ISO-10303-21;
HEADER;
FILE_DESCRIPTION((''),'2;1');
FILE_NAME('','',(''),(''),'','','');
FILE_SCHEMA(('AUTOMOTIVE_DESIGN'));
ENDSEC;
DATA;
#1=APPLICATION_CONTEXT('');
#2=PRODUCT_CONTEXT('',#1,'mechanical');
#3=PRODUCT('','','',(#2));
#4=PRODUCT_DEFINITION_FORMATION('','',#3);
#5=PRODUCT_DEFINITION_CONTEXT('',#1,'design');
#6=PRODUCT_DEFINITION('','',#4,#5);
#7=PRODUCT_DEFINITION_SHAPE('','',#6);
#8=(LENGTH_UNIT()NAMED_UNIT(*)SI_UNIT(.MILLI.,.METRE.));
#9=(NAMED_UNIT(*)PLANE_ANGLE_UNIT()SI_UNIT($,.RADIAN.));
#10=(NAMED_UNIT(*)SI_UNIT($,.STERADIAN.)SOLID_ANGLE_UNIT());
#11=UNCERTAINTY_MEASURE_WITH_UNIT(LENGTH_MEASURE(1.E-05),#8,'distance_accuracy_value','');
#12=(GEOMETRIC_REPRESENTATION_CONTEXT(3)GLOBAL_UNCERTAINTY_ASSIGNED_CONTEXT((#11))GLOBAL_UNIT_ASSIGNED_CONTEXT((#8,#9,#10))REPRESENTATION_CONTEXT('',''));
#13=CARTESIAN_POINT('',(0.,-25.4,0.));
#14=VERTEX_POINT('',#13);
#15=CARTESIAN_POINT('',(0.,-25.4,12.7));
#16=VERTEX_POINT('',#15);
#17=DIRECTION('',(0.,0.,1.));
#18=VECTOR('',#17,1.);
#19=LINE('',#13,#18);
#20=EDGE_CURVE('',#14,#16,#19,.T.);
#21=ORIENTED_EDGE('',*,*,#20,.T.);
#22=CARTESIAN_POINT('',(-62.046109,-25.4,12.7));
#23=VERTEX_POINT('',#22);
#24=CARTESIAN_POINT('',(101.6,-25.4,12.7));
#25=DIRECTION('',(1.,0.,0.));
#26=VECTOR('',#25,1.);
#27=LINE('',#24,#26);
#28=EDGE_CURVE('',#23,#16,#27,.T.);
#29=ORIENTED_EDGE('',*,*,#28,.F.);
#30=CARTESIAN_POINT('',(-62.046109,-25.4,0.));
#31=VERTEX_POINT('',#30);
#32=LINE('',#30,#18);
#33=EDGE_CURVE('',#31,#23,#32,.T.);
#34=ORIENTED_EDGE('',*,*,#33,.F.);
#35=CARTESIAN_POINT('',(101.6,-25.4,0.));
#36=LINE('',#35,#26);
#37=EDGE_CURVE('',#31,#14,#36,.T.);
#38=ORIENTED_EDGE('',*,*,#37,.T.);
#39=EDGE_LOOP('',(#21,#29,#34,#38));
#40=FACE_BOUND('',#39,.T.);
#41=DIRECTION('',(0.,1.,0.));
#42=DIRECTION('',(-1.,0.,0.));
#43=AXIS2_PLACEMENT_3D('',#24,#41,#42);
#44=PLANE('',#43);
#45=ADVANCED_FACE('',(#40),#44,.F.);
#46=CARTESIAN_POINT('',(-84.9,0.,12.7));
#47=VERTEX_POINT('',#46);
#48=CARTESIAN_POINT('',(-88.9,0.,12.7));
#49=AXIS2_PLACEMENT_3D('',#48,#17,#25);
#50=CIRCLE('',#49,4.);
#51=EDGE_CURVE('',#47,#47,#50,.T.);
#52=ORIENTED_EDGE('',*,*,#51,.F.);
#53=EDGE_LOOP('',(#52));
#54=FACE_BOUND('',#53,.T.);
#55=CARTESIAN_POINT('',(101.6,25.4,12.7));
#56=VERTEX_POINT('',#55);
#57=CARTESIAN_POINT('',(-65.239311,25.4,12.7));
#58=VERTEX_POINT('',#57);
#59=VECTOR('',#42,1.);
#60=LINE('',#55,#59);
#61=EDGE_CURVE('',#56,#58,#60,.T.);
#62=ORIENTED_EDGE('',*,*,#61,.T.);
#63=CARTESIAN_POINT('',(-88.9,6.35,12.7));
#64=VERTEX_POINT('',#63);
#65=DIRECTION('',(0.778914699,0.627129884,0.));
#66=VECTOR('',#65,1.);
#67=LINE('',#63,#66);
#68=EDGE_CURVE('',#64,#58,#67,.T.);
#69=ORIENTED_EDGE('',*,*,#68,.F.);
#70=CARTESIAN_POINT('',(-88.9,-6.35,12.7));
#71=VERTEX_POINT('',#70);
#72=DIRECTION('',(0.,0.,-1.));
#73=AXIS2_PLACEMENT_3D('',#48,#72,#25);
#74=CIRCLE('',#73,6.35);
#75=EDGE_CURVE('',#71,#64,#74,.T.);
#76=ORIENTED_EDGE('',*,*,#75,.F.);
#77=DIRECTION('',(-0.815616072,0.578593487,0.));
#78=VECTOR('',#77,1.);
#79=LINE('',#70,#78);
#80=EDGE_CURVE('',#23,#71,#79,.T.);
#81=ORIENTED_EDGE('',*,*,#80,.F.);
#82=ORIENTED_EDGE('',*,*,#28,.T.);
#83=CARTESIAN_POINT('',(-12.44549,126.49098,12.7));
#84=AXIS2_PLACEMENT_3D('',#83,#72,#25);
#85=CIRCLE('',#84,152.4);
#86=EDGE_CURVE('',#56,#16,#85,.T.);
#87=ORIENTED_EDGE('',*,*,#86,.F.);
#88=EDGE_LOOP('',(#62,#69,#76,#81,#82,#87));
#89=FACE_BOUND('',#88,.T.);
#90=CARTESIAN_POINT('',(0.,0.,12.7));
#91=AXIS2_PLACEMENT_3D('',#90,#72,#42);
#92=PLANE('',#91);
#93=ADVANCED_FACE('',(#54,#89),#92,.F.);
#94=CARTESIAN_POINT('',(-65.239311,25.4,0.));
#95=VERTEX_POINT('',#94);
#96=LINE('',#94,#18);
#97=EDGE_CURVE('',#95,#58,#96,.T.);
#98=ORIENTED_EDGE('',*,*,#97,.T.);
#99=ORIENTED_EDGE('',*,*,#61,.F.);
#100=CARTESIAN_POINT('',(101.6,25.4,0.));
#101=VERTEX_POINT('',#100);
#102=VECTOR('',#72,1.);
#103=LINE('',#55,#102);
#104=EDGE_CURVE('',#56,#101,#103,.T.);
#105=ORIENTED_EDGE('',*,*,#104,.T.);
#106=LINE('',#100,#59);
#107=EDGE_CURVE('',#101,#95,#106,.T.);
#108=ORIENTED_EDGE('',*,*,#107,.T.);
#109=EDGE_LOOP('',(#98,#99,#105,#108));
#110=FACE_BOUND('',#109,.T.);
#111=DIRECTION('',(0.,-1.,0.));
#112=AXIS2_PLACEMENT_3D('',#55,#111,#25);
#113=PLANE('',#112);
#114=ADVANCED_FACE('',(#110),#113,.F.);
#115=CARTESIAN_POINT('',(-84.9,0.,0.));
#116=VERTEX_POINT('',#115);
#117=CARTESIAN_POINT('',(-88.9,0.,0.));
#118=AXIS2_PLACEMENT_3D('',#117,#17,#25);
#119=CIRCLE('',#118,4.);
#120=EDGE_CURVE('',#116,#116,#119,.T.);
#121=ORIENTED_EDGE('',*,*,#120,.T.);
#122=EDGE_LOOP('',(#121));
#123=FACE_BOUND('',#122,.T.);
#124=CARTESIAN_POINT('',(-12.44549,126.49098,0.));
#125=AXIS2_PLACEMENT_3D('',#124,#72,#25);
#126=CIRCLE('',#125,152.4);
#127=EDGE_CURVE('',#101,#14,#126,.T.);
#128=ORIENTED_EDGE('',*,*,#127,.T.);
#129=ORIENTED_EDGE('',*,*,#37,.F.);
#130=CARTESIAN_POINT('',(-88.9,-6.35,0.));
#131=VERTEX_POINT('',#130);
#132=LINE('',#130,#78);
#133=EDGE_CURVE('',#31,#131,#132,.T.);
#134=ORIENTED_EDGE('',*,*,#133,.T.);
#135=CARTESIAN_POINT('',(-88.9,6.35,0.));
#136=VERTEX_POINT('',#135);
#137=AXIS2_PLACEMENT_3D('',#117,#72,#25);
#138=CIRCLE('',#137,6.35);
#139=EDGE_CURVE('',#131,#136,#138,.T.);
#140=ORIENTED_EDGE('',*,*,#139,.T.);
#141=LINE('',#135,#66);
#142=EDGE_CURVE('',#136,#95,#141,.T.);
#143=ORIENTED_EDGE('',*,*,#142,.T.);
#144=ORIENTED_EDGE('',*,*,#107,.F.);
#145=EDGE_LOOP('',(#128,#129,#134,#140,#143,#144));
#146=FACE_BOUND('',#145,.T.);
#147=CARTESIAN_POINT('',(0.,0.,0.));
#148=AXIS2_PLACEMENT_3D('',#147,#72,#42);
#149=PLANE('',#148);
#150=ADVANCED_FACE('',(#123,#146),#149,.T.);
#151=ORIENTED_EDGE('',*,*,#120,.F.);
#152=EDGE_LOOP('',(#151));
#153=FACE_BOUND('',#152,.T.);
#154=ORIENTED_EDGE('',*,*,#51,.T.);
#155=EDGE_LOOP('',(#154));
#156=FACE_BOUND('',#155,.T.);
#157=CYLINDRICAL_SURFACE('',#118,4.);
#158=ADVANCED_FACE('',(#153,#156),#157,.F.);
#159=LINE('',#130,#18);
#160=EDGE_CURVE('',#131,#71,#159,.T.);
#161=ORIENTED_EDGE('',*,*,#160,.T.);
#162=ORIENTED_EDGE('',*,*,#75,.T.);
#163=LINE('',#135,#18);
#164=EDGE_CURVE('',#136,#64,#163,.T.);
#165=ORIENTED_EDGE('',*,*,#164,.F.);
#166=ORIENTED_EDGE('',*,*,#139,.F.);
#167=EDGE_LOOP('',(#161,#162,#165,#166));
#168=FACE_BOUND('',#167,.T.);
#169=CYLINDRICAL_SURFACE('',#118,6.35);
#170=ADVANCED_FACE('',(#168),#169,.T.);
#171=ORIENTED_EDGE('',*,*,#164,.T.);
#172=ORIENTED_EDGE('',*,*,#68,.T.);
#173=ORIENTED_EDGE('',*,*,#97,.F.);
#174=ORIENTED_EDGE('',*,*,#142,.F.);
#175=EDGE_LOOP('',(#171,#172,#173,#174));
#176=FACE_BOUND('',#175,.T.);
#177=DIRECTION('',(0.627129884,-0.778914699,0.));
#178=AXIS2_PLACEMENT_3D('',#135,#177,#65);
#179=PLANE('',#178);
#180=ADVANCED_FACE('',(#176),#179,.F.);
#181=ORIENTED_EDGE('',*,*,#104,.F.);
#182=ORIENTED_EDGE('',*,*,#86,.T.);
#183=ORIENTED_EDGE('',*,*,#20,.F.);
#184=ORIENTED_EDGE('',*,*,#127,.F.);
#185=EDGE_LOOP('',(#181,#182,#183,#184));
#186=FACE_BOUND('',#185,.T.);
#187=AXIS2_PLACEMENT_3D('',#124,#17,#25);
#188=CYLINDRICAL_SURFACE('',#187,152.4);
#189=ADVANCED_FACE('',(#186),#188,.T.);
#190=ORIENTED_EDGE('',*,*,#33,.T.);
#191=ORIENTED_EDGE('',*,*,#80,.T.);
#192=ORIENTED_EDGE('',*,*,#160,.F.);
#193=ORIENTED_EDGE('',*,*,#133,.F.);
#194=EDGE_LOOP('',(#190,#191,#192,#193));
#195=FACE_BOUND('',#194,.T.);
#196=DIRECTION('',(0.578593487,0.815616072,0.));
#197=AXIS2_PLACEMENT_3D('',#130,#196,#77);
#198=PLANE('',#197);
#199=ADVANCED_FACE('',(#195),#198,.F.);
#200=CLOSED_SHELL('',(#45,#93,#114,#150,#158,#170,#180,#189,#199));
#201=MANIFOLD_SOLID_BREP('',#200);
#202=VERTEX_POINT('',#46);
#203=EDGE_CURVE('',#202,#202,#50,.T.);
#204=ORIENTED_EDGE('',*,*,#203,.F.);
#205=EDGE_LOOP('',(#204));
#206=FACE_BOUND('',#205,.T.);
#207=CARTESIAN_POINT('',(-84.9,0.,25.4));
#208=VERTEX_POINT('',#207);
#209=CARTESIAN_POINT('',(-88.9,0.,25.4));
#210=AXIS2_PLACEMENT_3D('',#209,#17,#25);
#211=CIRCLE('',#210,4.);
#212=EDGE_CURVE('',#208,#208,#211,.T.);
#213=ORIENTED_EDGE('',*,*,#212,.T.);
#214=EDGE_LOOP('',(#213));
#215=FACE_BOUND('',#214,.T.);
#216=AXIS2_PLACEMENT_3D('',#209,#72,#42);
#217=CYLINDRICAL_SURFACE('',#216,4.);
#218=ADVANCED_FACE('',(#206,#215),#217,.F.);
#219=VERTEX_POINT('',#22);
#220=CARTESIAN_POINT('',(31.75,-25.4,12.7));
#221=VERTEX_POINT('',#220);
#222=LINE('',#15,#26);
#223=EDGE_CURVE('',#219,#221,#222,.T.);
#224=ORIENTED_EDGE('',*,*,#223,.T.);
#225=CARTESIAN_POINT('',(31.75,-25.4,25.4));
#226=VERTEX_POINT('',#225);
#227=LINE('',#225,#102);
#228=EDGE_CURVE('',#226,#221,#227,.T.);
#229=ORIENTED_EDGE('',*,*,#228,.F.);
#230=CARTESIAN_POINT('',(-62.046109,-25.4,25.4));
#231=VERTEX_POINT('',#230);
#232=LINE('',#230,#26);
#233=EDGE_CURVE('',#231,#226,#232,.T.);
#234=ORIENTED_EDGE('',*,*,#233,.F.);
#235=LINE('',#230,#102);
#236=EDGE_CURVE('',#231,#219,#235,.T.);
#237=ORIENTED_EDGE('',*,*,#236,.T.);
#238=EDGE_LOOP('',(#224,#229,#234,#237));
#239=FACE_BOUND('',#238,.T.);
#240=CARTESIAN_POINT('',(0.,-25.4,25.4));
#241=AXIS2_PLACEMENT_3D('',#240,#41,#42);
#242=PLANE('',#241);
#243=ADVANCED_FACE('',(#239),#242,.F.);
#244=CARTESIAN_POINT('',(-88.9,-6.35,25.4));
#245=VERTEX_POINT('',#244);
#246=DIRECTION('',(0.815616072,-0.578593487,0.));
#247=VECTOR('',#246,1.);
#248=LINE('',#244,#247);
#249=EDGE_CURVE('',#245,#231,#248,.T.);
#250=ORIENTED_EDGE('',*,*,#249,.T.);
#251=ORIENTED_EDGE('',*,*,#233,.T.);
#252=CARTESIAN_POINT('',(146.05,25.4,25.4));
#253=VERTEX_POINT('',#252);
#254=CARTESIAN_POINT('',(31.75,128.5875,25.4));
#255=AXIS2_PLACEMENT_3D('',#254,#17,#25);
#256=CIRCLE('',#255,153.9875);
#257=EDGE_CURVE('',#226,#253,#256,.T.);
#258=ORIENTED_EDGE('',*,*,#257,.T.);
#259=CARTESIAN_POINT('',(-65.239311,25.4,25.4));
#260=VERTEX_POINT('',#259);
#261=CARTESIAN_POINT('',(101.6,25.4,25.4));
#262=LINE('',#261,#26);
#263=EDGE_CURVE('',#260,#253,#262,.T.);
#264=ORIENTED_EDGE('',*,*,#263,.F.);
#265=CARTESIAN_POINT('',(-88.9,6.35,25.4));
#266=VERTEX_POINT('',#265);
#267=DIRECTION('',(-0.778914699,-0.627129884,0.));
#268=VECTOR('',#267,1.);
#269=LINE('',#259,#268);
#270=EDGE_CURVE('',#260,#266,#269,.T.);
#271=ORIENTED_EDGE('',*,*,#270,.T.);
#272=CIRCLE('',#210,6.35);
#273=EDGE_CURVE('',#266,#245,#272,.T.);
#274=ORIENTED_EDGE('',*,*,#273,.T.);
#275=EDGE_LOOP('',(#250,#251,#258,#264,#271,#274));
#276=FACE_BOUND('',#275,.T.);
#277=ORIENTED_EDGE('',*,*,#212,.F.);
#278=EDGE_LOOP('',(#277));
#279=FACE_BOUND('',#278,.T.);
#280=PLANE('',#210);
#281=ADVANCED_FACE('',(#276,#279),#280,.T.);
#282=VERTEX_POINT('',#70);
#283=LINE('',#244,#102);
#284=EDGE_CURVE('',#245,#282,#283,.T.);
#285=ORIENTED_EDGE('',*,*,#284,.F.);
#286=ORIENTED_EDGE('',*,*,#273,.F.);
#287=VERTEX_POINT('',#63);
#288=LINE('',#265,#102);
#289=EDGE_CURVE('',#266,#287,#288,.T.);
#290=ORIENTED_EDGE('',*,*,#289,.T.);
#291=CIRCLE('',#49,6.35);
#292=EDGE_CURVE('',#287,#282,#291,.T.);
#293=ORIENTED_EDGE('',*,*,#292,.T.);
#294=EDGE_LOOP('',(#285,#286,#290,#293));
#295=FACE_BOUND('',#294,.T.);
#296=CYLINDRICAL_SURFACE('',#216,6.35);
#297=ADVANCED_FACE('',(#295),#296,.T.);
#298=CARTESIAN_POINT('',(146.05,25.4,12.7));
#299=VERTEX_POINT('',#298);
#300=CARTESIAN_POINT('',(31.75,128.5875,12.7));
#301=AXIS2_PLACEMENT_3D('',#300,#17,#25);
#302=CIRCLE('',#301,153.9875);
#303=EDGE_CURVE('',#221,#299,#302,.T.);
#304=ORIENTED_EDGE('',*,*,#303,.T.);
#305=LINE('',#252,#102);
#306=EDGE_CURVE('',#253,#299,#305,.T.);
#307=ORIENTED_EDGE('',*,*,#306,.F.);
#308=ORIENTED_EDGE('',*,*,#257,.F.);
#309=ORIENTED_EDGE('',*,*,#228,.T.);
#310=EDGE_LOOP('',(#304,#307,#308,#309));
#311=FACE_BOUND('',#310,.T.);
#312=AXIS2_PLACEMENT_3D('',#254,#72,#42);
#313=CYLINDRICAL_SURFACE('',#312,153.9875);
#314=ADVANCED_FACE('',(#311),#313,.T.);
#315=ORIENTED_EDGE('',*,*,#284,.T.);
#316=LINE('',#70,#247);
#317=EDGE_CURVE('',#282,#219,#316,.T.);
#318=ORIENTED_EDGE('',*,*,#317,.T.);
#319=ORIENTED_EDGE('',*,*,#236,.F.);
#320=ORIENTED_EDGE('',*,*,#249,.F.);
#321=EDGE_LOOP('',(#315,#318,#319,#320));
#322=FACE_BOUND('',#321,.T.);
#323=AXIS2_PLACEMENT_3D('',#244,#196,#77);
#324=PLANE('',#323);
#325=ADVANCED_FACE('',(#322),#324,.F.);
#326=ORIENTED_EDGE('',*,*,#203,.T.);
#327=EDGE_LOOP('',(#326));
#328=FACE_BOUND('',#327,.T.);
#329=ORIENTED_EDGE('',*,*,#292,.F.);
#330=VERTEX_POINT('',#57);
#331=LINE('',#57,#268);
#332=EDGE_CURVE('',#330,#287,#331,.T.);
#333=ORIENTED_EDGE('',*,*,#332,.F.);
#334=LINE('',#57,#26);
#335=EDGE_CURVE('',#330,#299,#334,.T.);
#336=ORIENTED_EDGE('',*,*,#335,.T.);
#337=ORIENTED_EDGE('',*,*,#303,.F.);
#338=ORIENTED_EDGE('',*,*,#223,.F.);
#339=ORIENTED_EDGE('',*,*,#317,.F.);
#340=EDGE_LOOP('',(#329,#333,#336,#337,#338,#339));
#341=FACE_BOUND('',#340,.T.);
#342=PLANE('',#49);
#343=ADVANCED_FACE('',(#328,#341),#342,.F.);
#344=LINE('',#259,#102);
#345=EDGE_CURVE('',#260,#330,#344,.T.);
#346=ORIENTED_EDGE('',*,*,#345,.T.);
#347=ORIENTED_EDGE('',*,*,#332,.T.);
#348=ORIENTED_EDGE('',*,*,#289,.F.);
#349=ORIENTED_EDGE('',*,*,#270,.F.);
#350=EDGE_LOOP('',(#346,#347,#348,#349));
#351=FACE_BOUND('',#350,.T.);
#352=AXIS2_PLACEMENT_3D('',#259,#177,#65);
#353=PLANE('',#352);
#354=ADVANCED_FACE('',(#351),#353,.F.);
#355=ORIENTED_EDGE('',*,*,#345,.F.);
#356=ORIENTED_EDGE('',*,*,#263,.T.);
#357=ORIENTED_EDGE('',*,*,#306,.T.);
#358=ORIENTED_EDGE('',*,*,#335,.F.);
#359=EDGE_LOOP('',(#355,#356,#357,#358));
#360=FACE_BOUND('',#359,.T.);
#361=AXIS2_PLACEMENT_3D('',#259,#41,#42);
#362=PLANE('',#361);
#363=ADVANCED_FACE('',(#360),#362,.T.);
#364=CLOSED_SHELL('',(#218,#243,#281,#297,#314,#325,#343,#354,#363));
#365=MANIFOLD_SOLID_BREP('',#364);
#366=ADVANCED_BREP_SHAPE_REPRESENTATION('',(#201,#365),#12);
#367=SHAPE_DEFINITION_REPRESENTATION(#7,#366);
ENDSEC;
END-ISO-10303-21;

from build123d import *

# Parameters (mm, degrees)
SKETCH1_W           = 203.2
SKETCH1_H           = 50.8
BOSS_EXTRUDE1_DEPTH = 12.7
SKETCH3_R           = 4
CUT_EXTRUDE1_DEPTH  = 106.494123059
CUT_EXTRUDE2_DEPTH  = 106.494123059
BOSS_EXTRUDE4_DEPTH = 12.7
CUT_EXTRUDE4_START  = 12.7
SKETCH11_5_R        = 4
CUT_EXTRUDE4_DEPTH  = 12.7


with BuildPart() as part:
    # Sketch1 → Boss-Extrude1 (new body)
    with BuildSketch(Plane.XY):
        Rectangle(SKETCH1_W, SKETCH1_H)
    extrude(amount=BOSS_EXTRUDE1_DEPTH)

    # Sketch3 → Cut-Extrude1 (cut, through all)
    with BuildSketch(Plane.XY.offset(12.7)):
        with Locations((-88.9, 0)):
            Circle(SKETCH3_R)
    extrude(amount=-CUT_EXTRUDE1_DEPTH, mode=Mode.SUBTRACT)

    # Sketch5 → Cut-Extrude2 (cut, through all)
    with BuildSketch(Plane.XY.offset(12.7)):
        with BuildLine():
            Line((-88.9, -6.35), (-62.046109456, -25.4))
            Line((-62.046109456, -25.4), (-101.6, -25.4))
            Line((-101.6, -25.4), (-101.6, 25.4))
            Line((-101.6, 25.4), (-65.239311186, 25.4))
            Line((-65.239311186, 25.4), (-88.9, 6.35))
            ThreePointArc((-88.9, 6.35), (-95.25, 0), (-88.9, -6.35))
        make_face()
        with BuildLine():
            Line((101.6, 25.4), (101.6, -25.4))
            Line((101.6, -25.4), (0, -25.4))
            ThreePointArc((0, -25.4), (55.709861996, -9.819723993), (101.6, 25.4))
        make_face()
    extrude(amount=-CUT_EXTRUDE2_DEPTH, mode=Mode.SUBTRACT)


with BuildPart() as body_2:
    # Sketch11 → Boss-Extrude4 (new body)
    with BuildSketch(Plane.XY.offset(12.7)):
        with BuildLine():
            Line((-65.239311186, 25.4), (-88.9, 6.35))
            ThreePointArc((-88.9, 6.35), (-95.25, 0), (-88.9, -6.35))
            Line((-88.9, -6.35), (-62.046109456, -25.4))
            Line((-62.046109456, -25.4), (0, -25.4))
            Line((0, -25.4), (31.75, -25.4))
            ThreePointArc((31.75, -25.4), (94.290247041, -12.128055843), (146.05, 25.4))
            Line((146.05, 25.4), (101.6, 25.4))
            Line((101.6, 25.4), (-65.239311186, 25.4))
        make_face()
    extrude(amount=BOSS_EXTRUDE4_DEPTH)

    # Sketch11<5> → Cut-Extrude4 (cut)
    with BuildSketch(Plane.XY.offset(12.7).offset(CUT_EXTRUDE4_START)):
        with Locations((-88.9, 0)):
            Circle(SKETCH11_5_R)
    extrude(amount=-CUT_EXTRUDE4_DEPTH, mode=Mode.SUBTRACT)


solid = Compound([part.part, body_2.part])
